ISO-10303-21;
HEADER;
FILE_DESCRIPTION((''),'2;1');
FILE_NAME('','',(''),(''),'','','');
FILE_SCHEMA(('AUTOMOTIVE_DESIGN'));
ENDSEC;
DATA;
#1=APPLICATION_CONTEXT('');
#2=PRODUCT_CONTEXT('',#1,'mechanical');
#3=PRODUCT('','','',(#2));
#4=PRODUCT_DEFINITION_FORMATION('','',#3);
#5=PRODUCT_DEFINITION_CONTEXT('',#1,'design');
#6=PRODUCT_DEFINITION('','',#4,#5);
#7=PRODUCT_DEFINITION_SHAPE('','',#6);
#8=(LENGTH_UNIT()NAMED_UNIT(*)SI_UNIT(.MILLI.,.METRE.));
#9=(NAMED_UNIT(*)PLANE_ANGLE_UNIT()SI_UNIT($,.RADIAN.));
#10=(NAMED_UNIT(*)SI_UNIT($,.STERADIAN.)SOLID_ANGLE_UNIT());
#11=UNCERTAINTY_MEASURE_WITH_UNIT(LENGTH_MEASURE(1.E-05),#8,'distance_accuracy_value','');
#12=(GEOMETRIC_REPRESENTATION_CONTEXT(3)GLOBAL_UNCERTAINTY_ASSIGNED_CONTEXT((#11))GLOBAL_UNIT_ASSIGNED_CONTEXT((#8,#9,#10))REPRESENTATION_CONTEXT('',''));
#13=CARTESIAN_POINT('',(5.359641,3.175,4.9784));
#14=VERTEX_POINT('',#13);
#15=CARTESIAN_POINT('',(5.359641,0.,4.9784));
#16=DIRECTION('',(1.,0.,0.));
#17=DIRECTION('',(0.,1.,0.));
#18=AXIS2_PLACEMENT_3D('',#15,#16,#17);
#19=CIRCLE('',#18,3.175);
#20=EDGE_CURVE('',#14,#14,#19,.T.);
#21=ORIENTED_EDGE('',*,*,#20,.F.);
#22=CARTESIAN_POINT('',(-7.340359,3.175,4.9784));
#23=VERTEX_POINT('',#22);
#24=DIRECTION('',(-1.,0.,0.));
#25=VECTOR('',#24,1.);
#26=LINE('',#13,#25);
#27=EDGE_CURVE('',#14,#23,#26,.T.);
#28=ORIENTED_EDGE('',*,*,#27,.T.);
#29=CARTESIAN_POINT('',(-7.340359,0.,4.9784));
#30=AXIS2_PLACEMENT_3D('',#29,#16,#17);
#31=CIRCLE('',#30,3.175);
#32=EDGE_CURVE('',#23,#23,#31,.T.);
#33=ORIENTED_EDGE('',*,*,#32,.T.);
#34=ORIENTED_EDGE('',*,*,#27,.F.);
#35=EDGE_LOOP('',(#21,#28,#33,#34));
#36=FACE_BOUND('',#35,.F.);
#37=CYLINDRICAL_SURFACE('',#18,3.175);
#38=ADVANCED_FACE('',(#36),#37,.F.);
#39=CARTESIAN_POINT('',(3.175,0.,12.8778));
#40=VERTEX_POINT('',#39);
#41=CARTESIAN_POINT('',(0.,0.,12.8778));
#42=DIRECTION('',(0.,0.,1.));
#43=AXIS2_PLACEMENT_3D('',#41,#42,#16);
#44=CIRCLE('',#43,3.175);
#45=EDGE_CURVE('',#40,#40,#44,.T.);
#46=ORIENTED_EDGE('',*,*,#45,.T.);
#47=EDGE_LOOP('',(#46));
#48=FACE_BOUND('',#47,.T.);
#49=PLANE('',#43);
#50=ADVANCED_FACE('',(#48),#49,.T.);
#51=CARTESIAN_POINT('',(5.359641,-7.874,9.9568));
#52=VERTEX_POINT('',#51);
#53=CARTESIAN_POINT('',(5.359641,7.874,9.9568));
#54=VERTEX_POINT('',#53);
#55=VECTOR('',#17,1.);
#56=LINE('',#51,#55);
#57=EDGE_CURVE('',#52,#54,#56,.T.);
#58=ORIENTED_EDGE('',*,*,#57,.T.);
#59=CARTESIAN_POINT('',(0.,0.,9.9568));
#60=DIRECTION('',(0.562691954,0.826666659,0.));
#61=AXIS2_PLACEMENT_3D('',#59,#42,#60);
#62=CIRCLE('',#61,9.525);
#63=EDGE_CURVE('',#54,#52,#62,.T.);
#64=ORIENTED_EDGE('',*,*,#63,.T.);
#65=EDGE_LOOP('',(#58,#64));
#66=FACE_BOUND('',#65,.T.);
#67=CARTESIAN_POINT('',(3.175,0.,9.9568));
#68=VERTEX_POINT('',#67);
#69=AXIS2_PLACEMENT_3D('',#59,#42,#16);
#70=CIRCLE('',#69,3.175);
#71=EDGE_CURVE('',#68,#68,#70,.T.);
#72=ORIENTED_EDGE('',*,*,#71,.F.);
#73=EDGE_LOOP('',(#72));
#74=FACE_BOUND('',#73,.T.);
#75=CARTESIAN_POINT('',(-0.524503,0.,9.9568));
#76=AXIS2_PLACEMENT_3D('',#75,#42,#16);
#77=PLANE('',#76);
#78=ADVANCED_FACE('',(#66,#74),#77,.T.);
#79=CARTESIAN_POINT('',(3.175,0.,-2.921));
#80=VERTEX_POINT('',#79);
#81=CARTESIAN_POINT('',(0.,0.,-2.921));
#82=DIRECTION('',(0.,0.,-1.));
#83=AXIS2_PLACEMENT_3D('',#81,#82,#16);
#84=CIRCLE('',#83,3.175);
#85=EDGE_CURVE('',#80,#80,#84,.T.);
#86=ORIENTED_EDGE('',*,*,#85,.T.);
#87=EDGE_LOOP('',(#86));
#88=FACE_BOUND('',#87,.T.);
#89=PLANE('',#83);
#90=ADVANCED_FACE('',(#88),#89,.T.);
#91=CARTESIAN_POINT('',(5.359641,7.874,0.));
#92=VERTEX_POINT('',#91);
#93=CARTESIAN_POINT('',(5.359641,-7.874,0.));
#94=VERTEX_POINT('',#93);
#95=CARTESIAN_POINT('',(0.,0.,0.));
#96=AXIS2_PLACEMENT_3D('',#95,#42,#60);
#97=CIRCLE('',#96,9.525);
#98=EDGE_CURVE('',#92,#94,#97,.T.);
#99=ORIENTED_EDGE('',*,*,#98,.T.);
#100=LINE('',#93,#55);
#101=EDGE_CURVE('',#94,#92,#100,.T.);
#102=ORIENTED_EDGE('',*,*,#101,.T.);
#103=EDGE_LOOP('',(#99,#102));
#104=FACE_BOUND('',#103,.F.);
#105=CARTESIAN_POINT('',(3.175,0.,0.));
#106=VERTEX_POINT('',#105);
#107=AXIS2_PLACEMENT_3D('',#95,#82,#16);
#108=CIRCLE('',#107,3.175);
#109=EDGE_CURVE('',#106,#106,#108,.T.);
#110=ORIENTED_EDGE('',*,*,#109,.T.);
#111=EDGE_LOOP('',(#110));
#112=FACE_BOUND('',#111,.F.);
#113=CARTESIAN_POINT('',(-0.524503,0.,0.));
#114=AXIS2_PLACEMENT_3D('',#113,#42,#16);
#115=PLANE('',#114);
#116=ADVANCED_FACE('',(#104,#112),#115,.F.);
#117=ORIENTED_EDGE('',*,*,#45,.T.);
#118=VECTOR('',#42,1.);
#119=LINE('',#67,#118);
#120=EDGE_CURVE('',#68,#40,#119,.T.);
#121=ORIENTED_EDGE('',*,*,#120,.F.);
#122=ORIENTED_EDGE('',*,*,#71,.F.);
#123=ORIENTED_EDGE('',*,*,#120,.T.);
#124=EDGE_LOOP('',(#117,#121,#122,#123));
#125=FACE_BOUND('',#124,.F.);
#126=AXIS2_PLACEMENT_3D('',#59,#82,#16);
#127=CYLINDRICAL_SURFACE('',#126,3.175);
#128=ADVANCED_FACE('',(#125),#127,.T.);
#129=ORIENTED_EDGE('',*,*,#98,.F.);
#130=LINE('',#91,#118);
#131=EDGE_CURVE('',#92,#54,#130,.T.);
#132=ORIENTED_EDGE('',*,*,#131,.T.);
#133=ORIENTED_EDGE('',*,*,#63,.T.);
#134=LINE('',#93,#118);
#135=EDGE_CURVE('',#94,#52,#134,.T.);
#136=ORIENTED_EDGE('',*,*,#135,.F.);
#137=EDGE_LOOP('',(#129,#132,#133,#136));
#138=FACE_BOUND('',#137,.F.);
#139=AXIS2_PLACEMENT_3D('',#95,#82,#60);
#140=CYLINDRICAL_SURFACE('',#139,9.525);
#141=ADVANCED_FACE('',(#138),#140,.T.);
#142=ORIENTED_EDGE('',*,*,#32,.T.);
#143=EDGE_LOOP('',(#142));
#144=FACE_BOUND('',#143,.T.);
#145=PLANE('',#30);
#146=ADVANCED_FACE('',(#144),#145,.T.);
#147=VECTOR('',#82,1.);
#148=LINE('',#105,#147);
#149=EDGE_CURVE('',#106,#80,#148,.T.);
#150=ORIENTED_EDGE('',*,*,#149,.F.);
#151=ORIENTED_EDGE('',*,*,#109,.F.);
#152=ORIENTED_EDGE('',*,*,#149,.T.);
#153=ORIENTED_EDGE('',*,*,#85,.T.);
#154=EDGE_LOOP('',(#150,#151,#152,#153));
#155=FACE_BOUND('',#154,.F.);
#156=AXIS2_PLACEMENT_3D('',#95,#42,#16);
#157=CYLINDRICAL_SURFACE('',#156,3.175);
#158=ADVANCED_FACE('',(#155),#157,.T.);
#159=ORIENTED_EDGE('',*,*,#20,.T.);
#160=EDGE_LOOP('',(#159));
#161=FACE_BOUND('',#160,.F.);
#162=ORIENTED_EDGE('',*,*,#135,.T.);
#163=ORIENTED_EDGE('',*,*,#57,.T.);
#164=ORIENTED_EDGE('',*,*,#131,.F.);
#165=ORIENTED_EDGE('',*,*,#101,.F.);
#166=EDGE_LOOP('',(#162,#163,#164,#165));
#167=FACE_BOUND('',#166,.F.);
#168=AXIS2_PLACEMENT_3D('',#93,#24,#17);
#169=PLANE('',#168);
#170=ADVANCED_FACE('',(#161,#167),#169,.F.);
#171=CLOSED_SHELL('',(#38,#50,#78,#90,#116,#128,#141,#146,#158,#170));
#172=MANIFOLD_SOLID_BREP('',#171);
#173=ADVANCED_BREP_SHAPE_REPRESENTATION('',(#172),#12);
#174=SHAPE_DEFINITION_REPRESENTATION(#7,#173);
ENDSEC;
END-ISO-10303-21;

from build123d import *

# Parameters (mm, degrees)
F1_DEPTH = 9.9568
F2_R     = 3.175
F3_DEPTH = 2.921
F4_R     = 3.175
F5_DEPTH = 2.921
F6_R     = 3.175
F7_DEPTH = 12.7


with BuildPart() as f1:
    # F0 (on Top) → F1 (new body)
    with BuildSketch(Plane.XY):
        with BuildLine():
            Line((5.359641, -7.874), (5.359641, 7.874))
            ThreePointArc((5.359641, 7.874), (-9.525, 0), (5.359641, -7.874))
        make_face()
    extrude(amount=F1_DEPTH)

    # F2 (on face) → F3 (join)
    with BuildSketch(Plane.XY.offset(9.9568)):
        Circle(F2_R)
    extrude(amount=F3_DEPTH)

    # F4 (on face) → F5 (join)
    with BuildSketch(Plane(origin=(0, 0, 0), x_dir=(1, 0, 0), z_dir=(0, 0, -1))):
        Circle(F4_R)
    extrude(amount=F5_DEPTH)

    # F6 (on face) → F7 (cut)
    with BuildSketch(Plane.YZ.offset(5.359641)):
        with Locations((0, 4.9784)):
            Circle(F6_R)
    extrude(amount=-F7_DEPTH, mode=Mode.SUBTRACT)


solid = f1.part
